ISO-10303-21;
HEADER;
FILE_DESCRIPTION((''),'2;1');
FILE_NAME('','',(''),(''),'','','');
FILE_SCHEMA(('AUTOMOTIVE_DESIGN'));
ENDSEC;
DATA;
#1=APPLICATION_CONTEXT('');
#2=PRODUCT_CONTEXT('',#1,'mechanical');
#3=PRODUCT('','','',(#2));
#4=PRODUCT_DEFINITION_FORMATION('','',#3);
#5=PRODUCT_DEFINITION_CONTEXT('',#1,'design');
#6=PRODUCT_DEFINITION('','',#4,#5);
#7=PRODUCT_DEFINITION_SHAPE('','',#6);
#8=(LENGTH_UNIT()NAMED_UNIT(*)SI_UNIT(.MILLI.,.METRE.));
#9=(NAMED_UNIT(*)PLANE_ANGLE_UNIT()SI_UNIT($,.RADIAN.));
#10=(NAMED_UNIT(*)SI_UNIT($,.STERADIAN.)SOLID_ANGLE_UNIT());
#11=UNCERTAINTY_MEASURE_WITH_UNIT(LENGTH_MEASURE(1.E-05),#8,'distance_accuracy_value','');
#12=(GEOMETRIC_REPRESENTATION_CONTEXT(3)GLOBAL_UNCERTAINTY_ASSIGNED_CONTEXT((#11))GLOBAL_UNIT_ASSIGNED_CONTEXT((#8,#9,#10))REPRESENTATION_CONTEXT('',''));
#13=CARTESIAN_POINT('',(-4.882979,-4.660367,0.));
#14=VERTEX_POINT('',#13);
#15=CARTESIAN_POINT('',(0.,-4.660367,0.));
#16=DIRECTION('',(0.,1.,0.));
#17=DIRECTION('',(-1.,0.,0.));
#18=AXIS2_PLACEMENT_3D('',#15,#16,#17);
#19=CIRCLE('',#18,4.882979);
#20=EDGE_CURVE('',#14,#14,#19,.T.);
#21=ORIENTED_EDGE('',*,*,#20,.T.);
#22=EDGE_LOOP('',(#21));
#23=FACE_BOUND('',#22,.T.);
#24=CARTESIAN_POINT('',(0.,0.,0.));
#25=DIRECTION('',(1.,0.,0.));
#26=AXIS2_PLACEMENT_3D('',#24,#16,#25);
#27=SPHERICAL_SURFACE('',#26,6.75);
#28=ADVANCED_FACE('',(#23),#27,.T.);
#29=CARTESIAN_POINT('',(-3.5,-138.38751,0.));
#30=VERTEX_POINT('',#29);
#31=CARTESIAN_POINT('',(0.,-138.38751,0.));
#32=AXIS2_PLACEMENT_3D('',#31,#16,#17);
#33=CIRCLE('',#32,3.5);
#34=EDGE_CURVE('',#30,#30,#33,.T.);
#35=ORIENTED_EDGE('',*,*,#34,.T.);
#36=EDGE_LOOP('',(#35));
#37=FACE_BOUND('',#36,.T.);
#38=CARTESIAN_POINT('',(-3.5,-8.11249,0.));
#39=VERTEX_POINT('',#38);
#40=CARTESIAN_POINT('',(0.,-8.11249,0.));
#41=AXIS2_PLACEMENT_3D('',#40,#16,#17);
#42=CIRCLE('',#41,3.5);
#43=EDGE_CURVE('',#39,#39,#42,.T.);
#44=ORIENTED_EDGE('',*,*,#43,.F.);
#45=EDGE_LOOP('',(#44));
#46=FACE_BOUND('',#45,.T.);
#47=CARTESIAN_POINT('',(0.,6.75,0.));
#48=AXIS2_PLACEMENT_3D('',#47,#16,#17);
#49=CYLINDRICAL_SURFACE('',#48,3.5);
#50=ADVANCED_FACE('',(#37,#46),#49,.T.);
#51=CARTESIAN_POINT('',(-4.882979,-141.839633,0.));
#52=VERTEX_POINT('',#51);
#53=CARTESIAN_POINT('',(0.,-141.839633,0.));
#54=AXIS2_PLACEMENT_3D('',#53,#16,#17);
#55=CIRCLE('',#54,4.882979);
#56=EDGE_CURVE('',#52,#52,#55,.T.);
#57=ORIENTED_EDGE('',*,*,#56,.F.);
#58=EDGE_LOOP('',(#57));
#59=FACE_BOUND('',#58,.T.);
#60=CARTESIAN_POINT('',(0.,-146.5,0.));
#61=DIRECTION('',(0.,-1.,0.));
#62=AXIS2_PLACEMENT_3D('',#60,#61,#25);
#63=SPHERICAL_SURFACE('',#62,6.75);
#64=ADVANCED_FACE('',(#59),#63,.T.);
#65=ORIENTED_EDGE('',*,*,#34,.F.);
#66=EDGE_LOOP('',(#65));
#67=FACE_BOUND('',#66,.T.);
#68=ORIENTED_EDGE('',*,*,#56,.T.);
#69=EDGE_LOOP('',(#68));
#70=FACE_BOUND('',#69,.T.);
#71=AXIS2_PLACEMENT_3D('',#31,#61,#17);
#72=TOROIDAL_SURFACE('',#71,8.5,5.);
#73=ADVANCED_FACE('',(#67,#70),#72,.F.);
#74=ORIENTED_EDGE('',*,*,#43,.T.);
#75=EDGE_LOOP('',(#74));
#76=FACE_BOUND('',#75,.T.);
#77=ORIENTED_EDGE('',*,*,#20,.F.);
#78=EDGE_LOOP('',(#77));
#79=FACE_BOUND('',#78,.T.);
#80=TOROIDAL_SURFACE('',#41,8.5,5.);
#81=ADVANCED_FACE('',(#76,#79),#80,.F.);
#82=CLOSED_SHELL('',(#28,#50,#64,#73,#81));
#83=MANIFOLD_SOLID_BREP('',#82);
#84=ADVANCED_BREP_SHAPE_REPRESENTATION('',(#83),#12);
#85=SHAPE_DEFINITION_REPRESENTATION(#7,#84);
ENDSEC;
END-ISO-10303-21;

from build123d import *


with BuildPart() as part:
    # Sketch1 → Revolve1 (revolve)
    with BuildSketch(Plane.XY, mode=Mode.PRIVATE) as revolve1_sk:
        with BuildLine():
            Line((0, 6.75), (0, -73.25))
            Line((0, -73.25), (3.5, -73.25))
            Line((3.5, -73.25), (3.5, -8.11249037))
            ThreePointArc((3.5, -8.11249037), (3.858604392, -6.253069275), (4.882978723, -4.660366808))
            ThreePointArc((4.882978723, -4.660366808), (6.205641625, 2.655656609), (0, 6.75))
        make_face()
    revolve1 = revolve(revolve1_sk.sketch.rotate(Axis((0, 6.75, 0), (0, -1, 0)), 180), axis=Axis((0, 6.75, 0), (0, -1, 0)))

    # Mirror1: Revolve1 across plane
    add(revolve1.mirror(Plane.ZX.offset(-73.25)))


solid = part.part
